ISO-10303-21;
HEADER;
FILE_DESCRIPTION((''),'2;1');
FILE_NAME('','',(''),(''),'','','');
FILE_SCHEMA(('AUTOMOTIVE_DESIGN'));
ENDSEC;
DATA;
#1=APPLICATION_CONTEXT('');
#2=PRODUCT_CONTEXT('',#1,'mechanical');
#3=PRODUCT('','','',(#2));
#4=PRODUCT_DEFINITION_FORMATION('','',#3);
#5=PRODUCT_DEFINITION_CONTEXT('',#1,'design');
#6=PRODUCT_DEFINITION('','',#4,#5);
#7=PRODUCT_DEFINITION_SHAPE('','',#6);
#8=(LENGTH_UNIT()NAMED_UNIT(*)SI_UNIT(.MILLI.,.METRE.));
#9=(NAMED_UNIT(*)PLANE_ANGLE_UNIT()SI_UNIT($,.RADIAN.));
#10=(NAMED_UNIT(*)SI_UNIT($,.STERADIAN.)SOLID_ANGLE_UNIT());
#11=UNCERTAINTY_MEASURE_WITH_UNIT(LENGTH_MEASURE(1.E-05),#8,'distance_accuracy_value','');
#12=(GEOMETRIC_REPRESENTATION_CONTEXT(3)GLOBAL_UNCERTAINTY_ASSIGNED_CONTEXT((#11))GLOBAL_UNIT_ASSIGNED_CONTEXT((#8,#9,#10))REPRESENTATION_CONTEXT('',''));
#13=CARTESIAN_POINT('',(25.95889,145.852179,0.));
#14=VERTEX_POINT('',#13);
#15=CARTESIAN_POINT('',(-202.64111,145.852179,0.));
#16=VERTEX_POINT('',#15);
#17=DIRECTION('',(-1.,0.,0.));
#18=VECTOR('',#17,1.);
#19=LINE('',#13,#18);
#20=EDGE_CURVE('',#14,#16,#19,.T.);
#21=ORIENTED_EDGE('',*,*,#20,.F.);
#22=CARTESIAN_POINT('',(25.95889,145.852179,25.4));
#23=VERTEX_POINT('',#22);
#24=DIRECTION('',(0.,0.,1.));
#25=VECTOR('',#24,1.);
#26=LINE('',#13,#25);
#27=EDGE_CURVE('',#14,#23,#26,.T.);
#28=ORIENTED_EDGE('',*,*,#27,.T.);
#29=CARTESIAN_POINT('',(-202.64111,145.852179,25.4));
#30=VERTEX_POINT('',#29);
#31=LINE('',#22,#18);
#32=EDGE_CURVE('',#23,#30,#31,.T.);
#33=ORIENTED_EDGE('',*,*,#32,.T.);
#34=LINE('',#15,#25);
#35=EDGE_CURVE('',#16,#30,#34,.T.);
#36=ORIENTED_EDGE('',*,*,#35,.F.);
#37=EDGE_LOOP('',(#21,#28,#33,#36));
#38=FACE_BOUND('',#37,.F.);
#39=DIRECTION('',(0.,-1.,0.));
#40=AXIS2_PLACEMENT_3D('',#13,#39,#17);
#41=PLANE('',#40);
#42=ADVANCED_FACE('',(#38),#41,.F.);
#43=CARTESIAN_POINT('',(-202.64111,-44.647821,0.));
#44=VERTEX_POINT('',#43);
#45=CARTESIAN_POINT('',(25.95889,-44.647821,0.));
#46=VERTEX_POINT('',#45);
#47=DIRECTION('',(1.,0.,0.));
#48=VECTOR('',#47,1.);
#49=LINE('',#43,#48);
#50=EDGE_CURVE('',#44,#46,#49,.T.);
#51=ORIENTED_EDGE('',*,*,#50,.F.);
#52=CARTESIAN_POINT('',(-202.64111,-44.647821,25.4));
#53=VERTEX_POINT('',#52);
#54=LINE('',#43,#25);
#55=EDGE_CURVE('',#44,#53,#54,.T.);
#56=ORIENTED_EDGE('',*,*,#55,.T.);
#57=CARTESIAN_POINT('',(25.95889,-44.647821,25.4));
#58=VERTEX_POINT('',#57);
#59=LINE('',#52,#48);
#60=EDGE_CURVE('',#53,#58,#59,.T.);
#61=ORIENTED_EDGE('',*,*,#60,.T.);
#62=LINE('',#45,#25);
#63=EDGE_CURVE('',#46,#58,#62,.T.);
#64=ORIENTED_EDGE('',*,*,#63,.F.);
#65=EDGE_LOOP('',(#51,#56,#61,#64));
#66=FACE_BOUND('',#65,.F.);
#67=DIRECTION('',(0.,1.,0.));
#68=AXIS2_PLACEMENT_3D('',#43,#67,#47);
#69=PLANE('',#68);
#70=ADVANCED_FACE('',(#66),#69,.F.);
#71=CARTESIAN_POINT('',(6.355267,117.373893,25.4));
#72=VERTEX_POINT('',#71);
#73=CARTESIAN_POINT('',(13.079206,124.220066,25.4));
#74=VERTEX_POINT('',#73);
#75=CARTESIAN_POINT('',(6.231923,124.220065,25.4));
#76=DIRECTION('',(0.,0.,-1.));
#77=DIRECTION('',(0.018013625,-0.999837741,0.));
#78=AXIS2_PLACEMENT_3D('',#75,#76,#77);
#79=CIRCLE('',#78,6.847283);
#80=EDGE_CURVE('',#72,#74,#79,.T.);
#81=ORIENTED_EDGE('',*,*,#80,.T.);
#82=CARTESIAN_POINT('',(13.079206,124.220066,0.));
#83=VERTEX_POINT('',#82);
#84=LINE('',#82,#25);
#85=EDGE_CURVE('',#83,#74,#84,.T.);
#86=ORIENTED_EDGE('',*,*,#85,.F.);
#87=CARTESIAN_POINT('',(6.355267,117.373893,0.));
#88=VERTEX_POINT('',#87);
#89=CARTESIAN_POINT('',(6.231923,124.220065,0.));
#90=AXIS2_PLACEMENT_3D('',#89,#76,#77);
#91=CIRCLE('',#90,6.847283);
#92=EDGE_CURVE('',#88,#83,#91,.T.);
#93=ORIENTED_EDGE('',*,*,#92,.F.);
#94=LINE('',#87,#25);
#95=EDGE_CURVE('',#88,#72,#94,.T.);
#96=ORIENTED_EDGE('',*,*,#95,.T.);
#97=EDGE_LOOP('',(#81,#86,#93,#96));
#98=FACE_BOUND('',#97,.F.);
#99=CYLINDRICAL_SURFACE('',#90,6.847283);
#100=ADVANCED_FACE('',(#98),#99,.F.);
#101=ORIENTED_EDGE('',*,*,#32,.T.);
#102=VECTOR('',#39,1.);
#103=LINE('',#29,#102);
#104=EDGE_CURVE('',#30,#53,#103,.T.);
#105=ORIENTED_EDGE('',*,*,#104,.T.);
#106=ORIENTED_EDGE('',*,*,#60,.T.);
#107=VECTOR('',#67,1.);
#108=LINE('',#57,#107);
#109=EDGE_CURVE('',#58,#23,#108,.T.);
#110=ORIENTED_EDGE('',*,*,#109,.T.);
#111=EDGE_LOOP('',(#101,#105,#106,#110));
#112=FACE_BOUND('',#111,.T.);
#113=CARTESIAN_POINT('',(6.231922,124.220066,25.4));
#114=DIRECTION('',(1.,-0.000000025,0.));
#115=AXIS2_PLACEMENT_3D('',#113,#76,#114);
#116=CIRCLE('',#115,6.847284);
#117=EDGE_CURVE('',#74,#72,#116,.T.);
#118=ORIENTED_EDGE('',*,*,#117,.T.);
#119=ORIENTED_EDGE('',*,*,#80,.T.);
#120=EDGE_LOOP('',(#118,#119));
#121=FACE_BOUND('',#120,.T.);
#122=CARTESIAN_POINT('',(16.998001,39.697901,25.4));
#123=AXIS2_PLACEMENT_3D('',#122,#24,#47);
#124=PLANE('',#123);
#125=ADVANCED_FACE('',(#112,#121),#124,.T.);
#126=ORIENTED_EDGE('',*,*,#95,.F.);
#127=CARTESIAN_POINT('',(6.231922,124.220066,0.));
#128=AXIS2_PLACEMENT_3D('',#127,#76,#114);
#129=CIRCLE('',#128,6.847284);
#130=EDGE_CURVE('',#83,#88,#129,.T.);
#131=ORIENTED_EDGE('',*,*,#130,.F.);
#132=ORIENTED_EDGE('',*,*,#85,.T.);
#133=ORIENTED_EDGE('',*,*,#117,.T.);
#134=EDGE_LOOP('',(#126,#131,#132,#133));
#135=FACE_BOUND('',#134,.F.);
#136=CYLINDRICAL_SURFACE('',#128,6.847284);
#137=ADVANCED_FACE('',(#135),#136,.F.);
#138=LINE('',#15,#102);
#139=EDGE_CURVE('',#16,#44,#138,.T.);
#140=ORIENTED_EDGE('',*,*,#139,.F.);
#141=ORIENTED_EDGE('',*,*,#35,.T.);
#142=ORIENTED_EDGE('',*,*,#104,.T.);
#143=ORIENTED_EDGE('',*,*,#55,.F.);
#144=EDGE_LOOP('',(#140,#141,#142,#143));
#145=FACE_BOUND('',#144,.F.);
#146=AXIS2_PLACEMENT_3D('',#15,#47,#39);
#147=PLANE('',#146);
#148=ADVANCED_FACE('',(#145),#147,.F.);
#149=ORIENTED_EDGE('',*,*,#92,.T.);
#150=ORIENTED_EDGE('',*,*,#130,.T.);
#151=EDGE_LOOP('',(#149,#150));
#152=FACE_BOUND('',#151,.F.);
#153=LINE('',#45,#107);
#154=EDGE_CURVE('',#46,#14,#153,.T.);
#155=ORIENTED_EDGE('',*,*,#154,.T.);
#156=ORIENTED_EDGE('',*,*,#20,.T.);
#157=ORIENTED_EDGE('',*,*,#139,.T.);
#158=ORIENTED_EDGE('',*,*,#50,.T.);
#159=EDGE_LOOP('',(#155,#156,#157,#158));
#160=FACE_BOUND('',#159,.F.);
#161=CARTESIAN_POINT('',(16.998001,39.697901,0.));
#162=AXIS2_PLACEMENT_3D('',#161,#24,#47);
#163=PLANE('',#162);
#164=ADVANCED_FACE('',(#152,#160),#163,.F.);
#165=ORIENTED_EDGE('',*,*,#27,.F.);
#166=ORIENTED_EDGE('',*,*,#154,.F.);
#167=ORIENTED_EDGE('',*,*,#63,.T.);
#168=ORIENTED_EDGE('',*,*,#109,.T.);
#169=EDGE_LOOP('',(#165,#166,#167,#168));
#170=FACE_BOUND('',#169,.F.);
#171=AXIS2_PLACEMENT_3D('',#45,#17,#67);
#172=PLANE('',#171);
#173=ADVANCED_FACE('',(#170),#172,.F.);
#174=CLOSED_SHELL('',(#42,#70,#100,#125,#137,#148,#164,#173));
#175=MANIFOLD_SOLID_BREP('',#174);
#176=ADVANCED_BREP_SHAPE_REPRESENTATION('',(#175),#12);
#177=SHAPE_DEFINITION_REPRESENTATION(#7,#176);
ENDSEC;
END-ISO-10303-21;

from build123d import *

# Parameters (mm, degrees)
F1_DEPTH = 25.4


with BuildPart() as f1:
    # F0 (on Top) → F1 (new body)
    with BuildSketch(Plane.XY):
        with BuildLine():
            Line((9.274333, -44.647821), (25.95889, -44.647821))
            Line((25.95889, -44.647821), (25.95889, 124.220066))
            Line((25.95889, 124.220066), (13.079206, 124.220066))
            ThreePointArc((13.079206, 124.220066), (11.117097, 119.422112), (6.355267, 117.373893))
            Line((6.355267, 117.373893), (9.274333, -44.647821))
        make_face()
        with BuildLine():
            Line((-202.64111, -44.647821), (9.274333, -44.647821))
            Line((9.274333, -44.647821), (6.355267, 117.373893))
            ThreePointArc((6.355267, 117.373893), (1.346748, 129.018019), (13.079206, 124.220066))
            Line((13.079206, 124.220066), (25.95889, 124.220066))
            Line((25.95889, 124.220066), (25.95889, 145.852179))
            Line((25.95889, 145.852179), (-202.64111, 145.852179))
            Line((-202.64111, 145.852179), (-202.64111, -44.647821))
        make_face()
    extrude(amount=F1_DEPTH)


solid = f1.part
